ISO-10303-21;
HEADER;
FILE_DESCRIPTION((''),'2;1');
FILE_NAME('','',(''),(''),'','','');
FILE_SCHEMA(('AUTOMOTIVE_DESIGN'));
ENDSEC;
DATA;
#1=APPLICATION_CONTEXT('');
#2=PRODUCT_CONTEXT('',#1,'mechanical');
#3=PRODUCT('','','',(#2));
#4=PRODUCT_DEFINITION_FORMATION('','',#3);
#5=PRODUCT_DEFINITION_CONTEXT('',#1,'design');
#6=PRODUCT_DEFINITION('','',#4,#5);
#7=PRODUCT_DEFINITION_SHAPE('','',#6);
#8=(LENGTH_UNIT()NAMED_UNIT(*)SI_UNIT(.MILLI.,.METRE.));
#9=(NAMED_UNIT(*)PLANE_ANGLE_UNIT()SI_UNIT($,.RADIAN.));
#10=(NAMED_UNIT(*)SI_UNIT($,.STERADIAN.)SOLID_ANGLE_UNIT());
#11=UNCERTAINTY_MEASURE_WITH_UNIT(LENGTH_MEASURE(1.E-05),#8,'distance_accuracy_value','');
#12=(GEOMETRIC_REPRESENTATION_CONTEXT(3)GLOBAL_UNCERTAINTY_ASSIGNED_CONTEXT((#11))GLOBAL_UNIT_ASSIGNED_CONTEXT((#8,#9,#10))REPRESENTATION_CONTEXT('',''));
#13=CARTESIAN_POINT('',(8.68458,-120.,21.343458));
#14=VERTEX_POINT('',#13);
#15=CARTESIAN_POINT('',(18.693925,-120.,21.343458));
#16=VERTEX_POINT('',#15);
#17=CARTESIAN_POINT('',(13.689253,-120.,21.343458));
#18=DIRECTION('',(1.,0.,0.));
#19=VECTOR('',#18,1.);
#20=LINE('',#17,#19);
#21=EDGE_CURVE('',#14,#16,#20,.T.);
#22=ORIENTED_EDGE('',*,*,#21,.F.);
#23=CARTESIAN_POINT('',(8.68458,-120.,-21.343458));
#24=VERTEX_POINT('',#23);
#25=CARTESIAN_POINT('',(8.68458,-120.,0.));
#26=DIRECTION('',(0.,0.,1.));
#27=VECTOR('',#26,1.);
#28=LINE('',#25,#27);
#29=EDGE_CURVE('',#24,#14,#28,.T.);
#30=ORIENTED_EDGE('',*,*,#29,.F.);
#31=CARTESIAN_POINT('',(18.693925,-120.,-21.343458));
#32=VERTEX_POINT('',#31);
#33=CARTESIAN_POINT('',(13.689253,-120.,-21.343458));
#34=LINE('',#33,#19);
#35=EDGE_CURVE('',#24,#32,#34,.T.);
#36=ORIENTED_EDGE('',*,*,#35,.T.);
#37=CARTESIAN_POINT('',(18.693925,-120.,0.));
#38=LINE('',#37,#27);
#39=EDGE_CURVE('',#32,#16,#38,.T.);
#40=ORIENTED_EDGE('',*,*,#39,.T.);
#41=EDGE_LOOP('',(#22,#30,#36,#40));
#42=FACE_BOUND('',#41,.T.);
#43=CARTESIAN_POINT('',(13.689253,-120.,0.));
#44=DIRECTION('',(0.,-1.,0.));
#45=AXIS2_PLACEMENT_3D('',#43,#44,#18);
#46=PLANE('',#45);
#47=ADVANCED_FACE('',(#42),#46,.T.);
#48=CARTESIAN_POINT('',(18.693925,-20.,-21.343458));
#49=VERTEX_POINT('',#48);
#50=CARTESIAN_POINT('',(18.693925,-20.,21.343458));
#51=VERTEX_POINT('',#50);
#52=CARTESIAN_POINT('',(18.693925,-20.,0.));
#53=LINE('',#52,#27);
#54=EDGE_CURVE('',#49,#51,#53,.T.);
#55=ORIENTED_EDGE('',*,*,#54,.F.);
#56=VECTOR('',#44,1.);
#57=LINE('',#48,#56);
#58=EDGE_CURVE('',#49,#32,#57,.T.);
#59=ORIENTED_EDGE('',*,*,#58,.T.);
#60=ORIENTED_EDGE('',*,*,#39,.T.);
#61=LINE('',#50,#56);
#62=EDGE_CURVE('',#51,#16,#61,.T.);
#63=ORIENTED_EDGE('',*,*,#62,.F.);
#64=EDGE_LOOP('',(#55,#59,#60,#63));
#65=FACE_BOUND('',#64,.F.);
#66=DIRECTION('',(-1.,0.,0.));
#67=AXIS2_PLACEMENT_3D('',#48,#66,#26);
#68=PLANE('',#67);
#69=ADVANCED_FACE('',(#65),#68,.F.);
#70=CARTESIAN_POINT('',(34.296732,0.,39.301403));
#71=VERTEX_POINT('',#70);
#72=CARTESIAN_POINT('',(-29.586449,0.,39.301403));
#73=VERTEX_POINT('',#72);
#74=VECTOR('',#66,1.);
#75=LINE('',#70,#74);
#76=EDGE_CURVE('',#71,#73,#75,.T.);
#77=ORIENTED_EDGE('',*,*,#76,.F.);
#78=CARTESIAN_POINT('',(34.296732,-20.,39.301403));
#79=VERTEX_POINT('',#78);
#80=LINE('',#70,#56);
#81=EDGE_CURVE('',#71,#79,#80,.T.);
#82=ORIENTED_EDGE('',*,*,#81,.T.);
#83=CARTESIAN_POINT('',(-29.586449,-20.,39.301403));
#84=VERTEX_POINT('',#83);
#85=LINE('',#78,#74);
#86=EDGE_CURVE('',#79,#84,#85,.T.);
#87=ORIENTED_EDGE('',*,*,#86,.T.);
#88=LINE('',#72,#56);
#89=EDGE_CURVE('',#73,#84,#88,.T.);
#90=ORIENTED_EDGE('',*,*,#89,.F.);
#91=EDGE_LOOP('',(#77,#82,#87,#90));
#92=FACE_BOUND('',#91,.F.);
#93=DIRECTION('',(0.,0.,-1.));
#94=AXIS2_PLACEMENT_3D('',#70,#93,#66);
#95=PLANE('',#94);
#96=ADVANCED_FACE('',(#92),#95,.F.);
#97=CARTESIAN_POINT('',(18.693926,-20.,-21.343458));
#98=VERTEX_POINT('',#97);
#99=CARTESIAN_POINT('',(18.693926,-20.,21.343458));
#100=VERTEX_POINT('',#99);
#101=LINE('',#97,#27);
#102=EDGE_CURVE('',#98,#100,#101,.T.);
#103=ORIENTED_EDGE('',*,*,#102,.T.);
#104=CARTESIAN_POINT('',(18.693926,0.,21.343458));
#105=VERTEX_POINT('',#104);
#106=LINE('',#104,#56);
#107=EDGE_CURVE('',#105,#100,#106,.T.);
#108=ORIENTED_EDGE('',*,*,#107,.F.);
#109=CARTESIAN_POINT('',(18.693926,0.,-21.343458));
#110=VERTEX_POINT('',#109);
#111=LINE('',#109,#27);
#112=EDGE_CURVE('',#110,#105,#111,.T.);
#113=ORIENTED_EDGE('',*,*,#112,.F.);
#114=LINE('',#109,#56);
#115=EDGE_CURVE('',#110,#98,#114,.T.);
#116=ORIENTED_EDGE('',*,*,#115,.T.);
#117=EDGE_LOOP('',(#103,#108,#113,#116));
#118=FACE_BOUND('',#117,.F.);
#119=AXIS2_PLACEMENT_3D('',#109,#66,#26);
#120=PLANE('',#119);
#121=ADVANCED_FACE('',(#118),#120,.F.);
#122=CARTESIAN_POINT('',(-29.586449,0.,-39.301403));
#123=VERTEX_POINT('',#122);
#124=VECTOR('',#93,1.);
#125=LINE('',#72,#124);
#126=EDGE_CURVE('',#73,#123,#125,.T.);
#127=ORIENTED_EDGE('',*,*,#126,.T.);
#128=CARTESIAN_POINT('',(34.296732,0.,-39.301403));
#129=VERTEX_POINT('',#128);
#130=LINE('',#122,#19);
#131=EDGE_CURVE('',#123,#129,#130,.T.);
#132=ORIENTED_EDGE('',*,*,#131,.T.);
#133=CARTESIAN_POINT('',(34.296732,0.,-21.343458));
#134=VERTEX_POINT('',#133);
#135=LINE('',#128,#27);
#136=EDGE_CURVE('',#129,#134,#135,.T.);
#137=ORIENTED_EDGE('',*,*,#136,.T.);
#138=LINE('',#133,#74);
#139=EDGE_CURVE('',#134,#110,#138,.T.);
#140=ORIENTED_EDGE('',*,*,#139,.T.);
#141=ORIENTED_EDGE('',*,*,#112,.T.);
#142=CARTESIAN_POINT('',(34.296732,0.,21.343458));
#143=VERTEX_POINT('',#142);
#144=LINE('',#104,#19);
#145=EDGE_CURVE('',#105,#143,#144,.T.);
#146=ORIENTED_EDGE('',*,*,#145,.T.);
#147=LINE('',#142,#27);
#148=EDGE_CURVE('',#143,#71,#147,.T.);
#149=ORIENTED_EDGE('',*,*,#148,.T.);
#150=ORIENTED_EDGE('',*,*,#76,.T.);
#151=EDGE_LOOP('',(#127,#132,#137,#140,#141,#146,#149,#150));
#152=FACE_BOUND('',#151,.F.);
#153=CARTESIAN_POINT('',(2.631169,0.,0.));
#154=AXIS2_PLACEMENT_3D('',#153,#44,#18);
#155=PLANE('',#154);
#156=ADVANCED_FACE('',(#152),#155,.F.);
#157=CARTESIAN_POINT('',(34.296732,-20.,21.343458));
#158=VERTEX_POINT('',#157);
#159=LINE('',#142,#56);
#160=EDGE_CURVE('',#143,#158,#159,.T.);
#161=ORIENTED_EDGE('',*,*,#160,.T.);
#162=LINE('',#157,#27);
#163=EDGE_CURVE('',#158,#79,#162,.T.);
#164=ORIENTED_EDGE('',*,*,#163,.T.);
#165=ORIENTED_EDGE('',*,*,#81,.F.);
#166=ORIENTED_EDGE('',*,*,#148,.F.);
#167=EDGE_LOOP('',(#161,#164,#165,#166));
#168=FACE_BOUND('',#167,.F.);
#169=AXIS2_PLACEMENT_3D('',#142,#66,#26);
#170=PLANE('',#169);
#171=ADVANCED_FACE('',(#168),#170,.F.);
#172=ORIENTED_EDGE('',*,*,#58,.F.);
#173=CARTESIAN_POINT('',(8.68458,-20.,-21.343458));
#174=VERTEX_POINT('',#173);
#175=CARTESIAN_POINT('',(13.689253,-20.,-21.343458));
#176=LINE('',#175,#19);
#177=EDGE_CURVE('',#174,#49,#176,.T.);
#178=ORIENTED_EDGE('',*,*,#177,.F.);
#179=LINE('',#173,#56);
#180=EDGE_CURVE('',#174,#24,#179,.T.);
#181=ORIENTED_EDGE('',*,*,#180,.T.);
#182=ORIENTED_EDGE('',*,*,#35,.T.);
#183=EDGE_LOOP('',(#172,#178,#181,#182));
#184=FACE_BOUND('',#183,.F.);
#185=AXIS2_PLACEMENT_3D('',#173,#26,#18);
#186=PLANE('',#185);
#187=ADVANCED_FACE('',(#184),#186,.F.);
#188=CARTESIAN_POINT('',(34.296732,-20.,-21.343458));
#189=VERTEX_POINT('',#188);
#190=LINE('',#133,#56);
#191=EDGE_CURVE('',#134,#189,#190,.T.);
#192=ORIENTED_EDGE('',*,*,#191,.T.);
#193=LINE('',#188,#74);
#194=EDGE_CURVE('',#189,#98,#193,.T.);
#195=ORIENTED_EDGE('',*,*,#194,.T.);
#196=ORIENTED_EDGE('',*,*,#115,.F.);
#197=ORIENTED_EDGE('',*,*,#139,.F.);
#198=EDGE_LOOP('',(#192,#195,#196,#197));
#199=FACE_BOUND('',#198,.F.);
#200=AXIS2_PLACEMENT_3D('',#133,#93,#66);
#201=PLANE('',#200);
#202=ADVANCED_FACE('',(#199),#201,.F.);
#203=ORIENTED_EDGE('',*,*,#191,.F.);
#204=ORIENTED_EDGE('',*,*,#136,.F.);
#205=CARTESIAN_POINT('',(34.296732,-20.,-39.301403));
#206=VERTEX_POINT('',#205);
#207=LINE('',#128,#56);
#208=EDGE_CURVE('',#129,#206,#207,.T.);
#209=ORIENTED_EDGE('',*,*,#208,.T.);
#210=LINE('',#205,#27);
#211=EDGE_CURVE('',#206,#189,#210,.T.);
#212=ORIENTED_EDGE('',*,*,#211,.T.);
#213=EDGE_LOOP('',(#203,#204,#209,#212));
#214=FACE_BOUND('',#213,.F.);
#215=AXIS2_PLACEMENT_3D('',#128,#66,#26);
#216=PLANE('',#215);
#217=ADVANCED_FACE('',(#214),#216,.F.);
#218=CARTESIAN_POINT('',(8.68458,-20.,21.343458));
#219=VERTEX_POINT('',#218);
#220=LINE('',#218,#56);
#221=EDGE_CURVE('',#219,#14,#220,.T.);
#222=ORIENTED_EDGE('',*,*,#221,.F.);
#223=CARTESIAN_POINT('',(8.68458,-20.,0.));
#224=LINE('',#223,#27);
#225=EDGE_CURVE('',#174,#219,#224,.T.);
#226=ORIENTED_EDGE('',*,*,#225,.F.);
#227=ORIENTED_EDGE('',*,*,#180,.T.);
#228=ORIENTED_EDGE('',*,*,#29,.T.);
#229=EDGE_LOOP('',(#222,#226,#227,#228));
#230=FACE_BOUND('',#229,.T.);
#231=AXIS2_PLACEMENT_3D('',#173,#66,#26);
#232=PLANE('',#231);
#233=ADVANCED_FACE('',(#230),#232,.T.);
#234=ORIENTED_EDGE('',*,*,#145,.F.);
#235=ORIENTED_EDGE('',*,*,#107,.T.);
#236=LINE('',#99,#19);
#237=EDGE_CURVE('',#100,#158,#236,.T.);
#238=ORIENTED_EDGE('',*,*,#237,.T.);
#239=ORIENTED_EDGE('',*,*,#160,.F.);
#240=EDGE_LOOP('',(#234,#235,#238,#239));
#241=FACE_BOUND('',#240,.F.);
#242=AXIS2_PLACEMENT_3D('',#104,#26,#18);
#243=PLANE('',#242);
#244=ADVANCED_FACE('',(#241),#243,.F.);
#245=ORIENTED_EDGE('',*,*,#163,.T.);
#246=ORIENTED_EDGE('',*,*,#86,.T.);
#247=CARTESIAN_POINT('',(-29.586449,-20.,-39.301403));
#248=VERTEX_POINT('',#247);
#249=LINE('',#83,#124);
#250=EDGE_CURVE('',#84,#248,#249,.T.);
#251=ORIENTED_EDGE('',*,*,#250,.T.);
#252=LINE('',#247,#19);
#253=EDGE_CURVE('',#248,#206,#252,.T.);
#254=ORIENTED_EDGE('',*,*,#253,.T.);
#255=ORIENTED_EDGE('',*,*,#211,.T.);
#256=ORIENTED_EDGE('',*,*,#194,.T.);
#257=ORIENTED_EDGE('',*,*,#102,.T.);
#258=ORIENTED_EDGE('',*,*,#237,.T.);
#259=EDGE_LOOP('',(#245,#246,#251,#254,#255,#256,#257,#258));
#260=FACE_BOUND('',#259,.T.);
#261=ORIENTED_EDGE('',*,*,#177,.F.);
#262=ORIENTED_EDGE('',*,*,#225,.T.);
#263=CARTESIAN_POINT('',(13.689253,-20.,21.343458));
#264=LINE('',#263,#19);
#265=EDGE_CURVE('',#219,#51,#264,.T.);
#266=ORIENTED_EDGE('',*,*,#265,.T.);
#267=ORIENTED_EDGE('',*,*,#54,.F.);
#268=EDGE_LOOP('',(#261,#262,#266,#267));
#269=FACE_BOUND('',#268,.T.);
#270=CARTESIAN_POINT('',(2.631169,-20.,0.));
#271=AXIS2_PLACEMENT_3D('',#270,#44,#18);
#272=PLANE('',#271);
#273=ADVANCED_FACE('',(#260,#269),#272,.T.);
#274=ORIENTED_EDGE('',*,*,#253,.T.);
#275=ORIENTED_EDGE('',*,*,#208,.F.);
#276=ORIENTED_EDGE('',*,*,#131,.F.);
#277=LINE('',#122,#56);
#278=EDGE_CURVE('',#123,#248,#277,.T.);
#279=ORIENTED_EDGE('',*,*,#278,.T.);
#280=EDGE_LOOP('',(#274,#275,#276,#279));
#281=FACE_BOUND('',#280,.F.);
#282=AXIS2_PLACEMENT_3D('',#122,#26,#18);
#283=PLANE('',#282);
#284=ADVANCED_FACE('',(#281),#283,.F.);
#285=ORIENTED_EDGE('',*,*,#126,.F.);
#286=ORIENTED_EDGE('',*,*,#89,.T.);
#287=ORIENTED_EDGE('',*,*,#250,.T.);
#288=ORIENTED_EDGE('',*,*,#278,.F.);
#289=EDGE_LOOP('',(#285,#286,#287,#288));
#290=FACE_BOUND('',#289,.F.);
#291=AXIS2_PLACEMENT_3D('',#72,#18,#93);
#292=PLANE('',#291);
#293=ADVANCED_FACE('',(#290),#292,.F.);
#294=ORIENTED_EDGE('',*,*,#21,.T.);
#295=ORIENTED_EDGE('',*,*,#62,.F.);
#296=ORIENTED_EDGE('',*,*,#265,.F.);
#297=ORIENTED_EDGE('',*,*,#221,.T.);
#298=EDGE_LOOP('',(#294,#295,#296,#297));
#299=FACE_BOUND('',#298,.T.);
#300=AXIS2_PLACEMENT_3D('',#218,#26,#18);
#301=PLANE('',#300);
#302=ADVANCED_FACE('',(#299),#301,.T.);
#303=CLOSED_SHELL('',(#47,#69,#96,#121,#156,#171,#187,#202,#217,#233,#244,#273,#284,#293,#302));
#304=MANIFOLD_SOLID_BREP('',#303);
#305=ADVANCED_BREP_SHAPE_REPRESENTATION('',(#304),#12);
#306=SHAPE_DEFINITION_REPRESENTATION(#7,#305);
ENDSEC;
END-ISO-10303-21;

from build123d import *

# Parameters (mm, degrees)
F1_DEPTH = 20
F2_W     = 10.009345
F2_H     = 42.686916
F3_DEPTH = 100


with BuildPart() as f1:
    # F0 (on Front) → F1 (new body)
    with BuildSketch(Plane.XZ):
        Polygon((-29.586449, 39.301403), (-29.586449, 0), (-29.586449, -39.301403), (34.296732, -39.301403), (34.296732, -21.343458), (18.693926, -21.343458), (18.693926, 0), (18.693926, 21.343458), (34.296732, 21.343458), (34.296732, 39.301403), align=None)
    extrude(amount=F1_DEPTH)

    # F2 (on face) → F3 (join)
    with BuildSketch(Plane.XZ.offset(20)):
        with Locations((13.689253, 0)):
            Rectangle(F2_W, F2_H)
    extrude(amount=F3_DEPTH)


solid = f1.part
